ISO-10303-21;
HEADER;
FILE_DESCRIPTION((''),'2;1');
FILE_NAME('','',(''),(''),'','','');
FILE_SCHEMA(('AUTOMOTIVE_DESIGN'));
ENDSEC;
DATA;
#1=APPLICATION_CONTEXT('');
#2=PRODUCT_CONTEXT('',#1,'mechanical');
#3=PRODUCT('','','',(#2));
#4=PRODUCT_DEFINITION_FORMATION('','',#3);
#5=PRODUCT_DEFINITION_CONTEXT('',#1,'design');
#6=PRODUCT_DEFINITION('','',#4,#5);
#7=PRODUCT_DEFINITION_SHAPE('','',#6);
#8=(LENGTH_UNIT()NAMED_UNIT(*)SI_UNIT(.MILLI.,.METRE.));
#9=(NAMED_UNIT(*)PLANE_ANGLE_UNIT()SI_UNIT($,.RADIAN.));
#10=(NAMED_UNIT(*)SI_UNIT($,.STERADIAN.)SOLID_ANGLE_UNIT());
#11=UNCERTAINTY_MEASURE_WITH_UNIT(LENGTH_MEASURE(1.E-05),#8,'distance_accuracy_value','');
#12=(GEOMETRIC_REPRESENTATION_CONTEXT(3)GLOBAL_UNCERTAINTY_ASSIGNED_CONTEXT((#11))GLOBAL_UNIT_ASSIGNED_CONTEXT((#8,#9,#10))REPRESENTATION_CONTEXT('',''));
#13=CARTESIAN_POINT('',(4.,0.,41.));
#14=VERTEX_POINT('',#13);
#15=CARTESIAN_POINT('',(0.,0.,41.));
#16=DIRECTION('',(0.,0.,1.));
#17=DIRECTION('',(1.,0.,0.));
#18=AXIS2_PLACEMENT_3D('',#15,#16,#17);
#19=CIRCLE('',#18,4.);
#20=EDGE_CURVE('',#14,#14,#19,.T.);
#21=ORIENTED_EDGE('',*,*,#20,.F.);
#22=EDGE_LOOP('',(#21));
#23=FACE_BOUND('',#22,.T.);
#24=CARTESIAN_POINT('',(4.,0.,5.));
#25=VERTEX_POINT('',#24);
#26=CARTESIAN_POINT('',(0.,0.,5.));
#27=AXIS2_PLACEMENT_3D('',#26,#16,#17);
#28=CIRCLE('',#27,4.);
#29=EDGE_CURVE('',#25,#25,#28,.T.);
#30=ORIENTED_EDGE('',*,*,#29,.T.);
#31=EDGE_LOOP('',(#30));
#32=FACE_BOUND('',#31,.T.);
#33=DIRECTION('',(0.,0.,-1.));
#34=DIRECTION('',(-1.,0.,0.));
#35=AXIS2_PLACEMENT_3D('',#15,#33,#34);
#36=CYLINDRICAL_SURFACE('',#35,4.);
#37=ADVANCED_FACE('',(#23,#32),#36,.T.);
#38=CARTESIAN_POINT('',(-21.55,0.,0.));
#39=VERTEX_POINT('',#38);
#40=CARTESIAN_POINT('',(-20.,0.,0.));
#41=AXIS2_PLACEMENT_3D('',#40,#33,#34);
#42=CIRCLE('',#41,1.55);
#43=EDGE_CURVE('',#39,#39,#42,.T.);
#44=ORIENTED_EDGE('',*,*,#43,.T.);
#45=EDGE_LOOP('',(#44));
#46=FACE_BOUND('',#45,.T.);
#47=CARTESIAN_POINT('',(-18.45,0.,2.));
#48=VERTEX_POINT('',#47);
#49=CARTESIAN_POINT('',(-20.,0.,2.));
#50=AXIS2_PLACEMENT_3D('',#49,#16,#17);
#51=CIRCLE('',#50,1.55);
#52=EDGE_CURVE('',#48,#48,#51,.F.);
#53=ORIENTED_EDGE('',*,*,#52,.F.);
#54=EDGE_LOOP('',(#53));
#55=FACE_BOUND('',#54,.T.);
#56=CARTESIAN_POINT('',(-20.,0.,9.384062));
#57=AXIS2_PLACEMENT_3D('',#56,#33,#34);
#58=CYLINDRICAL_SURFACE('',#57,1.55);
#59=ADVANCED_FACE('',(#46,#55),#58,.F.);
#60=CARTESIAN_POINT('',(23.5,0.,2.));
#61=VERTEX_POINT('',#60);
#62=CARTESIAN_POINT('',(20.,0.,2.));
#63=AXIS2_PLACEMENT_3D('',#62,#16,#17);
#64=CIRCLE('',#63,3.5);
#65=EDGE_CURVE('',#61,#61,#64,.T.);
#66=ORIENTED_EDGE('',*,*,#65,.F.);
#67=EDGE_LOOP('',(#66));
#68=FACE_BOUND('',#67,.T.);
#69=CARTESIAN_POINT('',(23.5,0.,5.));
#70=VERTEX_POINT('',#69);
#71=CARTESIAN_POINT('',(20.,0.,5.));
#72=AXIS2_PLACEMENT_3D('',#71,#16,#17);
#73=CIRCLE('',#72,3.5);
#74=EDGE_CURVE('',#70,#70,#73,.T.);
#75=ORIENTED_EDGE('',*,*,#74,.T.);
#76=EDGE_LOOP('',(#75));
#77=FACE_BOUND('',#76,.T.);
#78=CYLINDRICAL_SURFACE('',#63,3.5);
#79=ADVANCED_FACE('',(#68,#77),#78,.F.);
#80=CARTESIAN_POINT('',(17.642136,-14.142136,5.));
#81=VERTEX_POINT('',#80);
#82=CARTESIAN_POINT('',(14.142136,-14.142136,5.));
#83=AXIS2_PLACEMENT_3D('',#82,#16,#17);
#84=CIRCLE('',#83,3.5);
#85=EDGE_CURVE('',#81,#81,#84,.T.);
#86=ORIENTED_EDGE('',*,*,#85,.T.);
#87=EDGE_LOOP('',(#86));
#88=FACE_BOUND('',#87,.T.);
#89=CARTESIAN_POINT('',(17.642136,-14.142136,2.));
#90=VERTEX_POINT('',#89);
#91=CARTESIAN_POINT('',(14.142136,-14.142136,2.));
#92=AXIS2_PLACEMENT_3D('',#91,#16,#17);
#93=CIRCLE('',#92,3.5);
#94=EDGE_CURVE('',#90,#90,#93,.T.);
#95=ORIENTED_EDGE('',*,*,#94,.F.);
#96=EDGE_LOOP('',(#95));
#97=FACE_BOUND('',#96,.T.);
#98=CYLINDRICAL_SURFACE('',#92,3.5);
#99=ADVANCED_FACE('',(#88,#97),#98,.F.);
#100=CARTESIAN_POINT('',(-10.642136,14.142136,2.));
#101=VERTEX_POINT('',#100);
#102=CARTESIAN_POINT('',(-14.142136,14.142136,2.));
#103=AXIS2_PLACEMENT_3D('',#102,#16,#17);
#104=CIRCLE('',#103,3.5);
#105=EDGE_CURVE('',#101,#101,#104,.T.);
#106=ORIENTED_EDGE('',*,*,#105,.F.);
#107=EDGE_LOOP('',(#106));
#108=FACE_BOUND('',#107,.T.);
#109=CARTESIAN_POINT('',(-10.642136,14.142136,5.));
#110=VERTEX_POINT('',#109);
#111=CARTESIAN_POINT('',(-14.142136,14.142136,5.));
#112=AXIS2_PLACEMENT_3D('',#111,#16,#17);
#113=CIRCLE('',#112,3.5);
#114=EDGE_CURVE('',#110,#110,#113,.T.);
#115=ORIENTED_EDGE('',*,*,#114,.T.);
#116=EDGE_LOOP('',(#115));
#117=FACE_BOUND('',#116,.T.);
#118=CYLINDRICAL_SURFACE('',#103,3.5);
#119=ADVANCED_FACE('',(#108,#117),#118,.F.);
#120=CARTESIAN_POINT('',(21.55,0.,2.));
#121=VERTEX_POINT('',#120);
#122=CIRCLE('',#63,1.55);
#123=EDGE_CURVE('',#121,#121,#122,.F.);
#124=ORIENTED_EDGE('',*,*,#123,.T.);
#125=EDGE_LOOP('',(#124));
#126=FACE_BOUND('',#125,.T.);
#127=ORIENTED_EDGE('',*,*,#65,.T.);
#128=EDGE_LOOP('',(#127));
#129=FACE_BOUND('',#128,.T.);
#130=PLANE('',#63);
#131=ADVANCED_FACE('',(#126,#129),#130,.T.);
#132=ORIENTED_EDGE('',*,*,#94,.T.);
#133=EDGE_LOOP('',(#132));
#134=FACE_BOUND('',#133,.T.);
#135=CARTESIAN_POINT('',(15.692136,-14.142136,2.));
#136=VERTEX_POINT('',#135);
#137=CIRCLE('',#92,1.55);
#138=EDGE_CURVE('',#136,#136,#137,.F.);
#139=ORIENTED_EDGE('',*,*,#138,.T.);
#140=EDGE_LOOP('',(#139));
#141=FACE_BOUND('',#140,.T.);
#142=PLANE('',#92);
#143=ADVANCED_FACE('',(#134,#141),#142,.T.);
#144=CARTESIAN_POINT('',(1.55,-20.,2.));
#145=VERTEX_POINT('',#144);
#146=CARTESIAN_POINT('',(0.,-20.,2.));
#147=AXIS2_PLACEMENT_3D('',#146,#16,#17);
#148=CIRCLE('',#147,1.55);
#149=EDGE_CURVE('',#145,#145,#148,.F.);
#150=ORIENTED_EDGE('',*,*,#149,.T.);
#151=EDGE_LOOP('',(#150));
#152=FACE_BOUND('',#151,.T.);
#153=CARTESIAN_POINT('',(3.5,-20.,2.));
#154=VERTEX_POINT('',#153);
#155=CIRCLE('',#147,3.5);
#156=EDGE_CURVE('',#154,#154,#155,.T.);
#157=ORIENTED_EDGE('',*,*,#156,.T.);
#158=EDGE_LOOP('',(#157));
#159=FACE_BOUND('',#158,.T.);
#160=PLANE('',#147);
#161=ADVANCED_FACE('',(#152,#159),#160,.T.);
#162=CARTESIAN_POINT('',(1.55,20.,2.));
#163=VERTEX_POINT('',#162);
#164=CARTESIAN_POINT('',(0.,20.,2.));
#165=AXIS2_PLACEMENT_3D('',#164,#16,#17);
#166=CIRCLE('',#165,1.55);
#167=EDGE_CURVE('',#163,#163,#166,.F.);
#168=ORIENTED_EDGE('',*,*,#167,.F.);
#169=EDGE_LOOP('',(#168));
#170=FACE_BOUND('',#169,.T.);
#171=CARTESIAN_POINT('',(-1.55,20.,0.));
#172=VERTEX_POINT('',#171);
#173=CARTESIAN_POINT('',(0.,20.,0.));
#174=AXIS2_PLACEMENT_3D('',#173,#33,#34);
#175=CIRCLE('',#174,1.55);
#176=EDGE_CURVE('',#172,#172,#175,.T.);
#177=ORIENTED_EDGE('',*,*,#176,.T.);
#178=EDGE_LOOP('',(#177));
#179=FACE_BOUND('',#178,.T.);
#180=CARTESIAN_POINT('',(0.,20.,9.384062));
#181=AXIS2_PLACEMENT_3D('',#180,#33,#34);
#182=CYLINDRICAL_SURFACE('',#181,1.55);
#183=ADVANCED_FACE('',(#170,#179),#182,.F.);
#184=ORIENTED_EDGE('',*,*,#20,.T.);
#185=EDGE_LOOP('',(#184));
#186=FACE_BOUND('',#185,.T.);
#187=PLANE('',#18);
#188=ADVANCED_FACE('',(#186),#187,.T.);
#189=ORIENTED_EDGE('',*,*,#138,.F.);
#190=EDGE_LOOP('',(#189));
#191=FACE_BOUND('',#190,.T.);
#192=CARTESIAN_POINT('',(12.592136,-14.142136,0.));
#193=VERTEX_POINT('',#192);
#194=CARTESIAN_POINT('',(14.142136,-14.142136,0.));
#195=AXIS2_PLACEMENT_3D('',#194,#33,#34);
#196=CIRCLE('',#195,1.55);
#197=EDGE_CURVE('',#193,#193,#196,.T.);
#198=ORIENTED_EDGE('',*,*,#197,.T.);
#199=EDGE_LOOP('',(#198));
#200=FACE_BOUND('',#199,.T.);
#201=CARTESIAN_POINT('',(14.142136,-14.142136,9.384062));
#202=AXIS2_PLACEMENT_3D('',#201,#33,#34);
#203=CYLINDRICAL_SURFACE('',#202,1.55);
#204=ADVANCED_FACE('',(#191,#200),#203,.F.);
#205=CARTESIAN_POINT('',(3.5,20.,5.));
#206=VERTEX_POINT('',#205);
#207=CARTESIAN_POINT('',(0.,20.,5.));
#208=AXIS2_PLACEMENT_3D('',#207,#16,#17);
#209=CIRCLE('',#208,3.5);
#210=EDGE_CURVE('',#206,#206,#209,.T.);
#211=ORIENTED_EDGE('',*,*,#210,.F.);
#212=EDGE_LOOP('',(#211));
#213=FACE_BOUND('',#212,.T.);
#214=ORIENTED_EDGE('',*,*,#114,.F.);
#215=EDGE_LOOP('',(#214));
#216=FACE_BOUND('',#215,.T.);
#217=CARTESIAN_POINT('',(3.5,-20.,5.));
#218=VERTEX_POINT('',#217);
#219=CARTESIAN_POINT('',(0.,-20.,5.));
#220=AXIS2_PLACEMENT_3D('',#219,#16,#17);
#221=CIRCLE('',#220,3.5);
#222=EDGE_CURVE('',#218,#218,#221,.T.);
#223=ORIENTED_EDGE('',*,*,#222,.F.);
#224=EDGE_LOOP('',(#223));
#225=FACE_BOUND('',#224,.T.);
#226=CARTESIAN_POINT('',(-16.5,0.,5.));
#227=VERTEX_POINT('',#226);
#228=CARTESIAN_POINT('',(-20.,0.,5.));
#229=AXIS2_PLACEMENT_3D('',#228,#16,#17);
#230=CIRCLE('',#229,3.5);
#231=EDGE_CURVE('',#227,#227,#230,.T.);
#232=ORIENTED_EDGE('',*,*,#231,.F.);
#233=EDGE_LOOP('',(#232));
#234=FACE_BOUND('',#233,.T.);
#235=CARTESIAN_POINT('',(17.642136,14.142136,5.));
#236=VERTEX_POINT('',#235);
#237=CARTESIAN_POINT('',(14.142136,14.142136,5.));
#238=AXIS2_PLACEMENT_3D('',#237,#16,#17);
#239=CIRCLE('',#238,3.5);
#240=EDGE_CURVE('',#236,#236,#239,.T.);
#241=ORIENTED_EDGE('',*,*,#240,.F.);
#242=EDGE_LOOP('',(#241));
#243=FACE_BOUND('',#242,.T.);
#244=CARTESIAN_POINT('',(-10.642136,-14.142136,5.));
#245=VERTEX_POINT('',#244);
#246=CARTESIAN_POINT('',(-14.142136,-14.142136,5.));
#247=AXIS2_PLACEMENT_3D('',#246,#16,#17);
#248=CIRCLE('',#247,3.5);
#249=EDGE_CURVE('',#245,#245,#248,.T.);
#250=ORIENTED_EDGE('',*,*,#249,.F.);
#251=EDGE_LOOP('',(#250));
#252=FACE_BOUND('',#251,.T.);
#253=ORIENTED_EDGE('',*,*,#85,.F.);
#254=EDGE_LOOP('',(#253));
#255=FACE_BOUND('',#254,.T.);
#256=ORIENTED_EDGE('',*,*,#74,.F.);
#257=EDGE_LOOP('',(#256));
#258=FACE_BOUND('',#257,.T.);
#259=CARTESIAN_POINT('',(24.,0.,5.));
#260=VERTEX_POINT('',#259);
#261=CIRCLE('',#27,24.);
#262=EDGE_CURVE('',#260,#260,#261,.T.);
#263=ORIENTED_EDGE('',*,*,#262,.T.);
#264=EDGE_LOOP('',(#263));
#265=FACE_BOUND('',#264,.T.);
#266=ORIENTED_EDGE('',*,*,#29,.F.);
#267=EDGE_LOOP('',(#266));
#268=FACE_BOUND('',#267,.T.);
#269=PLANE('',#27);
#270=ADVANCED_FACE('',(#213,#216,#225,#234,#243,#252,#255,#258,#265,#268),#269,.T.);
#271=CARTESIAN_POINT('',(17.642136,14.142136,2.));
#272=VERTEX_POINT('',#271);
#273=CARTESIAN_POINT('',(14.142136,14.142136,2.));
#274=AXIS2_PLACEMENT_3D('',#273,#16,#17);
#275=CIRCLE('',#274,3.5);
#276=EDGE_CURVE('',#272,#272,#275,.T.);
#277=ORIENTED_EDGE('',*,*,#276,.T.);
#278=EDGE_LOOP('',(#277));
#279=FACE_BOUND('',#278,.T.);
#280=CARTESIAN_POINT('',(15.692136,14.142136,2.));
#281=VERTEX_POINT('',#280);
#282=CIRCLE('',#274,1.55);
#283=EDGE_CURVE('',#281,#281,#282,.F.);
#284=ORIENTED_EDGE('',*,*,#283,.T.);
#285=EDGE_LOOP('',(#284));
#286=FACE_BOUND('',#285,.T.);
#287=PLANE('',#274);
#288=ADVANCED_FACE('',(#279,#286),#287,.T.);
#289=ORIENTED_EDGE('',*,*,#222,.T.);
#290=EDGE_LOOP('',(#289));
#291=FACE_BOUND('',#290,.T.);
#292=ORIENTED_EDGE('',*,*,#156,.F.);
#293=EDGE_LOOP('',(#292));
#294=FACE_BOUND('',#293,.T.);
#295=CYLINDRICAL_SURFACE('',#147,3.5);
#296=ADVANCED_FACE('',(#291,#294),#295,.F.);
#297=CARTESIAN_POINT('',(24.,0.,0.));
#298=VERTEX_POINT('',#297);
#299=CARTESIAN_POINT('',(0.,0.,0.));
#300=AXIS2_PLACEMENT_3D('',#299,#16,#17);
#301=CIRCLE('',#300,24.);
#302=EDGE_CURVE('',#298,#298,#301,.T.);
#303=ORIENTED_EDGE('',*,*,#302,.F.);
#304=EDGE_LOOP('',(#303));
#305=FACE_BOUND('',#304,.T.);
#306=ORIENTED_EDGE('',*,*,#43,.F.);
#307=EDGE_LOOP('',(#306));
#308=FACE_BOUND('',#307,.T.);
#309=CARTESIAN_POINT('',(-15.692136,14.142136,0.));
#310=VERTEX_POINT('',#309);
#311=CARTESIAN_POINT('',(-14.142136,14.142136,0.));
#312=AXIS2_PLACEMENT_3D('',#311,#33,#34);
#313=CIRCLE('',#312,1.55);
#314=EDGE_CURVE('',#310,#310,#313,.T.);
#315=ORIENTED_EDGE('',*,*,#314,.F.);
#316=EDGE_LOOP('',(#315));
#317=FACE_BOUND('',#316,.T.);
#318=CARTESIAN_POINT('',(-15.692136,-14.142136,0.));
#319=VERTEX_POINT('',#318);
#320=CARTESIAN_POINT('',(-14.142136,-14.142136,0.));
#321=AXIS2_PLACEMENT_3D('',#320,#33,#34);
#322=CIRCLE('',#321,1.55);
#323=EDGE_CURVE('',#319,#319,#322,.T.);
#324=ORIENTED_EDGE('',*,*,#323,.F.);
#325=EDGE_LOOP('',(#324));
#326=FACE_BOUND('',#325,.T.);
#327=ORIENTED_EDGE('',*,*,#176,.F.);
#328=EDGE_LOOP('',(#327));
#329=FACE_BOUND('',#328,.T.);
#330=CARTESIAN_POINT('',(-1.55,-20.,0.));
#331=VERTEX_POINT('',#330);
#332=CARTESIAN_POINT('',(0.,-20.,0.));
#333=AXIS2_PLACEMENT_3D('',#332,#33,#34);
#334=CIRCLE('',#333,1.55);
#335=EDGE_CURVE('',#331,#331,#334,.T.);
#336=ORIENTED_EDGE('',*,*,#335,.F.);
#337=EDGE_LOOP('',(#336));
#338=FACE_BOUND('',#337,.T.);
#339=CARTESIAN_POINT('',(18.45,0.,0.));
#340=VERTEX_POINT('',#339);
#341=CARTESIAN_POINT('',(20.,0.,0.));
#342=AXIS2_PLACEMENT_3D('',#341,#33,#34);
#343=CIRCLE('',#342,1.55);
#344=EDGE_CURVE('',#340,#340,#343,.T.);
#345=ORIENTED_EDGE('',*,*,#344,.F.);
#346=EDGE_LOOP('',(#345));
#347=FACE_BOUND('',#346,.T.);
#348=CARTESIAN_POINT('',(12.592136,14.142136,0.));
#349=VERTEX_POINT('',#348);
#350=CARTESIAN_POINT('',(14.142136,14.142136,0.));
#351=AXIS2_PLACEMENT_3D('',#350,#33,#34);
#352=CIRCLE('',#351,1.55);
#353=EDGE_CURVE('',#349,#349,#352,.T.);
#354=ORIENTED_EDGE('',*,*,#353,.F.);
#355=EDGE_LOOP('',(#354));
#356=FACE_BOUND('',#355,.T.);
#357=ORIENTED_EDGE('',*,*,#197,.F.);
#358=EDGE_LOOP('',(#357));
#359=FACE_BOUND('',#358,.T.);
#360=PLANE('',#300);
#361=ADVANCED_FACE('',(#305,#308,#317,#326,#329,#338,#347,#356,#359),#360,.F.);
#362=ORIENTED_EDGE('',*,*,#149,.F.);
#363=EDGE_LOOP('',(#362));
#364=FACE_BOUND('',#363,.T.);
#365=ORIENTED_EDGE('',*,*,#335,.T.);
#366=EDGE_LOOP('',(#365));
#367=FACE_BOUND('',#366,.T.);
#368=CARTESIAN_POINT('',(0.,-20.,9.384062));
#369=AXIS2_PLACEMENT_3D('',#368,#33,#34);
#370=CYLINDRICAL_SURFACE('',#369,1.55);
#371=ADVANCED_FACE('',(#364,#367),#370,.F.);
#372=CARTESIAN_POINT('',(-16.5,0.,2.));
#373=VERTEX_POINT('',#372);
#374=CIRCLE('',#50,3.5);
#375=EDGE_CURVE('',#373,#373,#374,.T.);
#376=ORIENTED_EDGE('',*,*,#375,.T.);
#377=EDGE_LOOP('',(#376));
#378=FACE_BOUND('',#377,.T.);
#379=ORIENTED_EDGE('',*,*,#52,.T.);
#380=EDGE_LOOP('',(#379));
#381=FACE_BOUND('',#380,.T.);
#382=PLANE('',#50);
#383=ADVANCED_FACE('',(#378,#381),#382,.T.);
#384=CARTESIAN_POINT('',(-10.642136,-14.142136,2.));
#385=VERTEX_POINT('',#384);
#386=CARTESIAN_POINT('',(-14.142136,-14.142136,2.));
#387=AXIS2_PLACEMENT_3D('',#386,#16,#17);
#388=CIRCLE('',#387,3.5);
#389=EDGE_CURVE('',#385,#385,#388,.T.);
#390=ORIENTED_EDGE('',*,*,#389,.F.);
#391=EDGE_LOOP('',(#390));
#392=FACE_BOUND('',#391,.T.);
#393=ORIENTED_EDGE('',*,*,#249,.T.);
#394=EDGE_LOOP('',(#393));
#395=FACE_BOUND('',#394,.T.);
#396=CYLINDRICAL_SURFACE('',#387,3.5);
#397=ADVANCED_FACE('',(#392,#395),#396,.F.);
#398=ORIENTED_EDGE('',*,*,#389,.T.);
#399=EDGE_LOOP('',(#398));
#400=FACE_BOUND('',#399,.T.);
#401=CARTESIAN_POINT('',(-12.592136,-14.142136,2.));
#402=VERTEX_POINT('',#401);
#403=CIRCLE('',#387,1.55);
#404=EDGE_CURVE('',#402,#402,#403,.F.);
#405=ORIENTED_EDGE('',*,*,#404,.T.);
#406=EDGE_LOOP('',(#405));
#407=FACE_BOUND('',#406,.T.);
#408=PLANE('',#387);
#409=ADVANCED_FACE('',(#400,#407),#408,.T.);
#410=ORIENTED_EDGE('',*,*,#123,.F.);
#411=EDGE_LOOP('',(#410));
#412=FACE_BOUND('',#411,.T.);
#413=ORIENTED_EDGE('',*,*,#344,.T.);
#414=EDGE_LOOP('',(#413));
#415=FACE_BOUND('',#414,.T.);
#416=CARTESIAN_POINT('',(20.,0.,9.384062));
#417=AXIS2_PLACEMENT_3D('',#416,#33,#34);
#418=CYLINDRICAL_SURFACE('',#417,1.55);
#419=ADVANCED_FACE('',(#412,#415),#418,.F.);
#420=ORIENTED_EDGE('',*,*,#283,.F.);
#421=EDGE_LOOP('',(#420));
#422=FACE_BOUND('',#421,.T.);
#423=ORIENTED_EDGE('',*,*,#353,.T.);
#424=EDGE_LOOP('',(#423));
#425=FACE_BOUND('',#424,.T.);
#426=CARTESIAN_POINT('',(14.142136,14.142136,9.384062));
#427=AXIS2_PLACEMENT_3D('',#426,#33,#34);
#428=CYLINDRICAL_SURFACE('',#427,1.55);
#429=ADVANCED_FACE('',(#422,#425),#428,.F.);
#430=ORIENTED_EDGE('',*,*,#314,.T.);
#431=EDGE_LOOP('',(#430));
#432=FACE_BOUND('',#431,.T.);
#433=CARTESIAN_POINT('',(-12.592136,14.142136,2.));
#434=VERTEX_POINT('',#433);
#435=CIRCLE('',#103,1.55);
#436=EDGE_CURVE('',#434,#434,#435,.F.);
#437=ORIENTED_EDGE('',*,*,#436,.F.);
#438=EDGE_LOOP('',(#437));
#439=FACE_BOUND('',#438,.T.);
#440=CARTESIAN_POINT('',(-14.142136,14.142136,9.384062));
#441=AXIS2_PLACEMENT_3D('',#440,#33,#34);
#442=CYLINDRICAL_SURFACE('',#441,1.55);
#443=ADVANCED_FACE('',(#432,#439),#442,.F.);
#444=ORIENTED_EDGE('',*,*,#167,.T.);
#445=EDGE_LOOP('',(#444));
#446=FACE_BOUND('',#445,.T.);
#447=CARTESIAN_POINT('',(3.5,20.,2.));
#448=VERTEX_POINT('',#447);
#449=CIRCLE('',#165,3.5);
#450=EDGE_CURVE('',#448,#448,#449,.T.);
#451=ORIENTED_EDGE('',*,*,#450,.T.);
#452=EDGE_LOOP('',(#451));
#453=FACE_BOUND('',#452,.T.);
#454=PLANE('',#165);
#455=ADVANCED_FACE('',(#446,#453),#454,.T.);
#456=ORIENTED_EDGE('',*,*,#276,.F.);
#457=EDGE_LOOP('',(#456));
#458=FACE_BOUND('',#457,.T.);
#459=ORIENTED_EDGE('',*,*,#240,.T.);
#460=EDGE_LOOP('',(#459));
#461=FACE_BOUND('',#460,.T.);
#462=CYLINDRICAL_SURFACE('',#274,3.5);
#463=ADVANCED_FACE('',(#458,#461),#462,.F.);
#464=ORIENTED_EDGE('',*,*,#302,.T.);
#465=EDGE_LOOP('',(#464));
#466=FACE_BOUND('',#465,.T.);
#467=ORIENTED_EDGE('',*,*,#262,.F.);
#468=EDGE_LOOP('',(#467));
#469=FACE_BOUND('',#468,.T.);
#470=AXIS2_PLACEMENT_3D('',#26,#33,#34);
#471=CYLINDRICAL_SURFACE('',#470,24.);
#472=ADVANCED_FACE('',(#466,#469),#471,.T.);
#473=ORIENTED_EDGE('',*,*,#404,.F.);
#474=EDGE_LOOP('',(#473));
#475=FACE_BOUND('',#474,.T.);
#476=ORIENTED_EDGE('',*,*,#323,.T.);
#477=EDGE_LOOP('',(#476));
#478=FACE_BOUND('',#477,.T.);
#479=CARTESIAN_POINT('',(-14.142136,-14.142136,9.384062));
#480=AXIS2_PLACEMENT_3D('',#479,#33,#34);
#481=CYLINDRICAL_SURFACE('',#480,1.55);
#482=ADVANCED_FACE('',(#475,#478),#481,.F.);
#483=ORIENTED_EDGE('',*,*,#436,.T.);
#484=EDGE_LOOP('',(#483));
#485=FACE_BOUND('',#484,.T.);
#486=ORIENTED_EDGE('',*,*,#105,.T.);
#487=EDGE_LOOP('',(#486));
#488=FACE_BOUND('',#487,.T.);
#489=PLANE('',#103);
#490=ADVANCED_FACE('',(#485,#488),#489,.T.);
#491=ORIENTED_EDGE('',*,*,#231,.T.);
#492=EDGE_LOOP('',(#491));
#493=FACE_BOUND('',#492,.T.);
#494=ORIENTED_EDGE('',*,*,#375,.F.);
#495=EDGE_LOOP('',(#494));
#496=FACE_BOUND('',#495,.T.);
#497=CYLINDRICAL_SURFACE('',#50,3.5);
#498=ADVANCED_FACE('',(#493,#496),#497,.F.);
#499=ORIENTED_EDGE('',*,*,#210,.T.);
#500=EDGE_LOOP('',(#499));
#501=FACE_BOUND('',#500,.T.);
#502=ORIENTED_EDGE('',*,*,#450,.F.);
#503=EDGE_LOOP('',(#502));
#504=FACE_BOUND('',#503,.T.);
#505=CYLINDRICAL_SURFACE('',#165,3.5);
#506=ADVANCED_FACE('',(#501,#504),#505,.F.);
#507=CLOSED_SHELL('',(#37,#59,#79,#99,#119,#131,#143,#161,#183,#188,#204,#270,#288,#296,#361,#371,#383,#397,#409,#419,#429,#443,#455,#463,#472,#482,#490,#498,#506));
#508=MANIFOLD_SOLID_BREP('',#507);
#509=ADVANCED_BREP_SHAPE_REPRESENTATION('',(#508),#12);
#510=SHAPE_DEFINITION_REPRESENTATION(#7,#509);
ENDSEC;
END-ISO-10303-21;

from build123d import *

# Parameters (mm, degrees)
SKETCH6_R           = 24
BOSS_EXTRUDE1_DEPTH = 5
SKETCH8_R           = 1.55
CUT_EXTRUDE6_DEPTH  = 5
SKETCH10_R          = 4
BOSS_EXTRUDE2_DEPTH = 36
SKETCH11_R          = 3.5
CUT_EXTRUDE8_DEPTH  = 3


with BuildPart() as part:
    # Sketch6 → Boss-Extrude1 (new body)
    with BuildSketch(Plane.XY):
        Circle(SKETCH6_R)
    extrude(amount=BOSS_EXTRUDE1_DEPTH)

    # Sketch8 → Cut-Extrude6 (cut)
    with BuildSketch(Plane(origin=(0, 0, 0), x_dir=(-1, 0, 0), z_dir=(0, 0, -1))):
        with Locations((0, 20)):
            Circle(SKETCH8_R)
        with Locations((14.142135624, 14.142135624)):
            Circle(SKETCH8_R)
        with Locations((20, 0)):
            Circle(SKETCH8_R)
        with Locations((14.142135624, -14.142135624)):
            Circle(SKETCH8_R)
        with Locations((0, -20)):
            Circle(SKETCH8_R)
        with Locations((-14.142135624, -14.142135624)):
            Circle(SKETCH8_R)
        with Locations((-20, 0)):
            Circle(SKETCH8_R)
        with Locations((-14.142135624, 14.142135624)):
            Circle(SKETCH8_R)
    extrude(amount=-CUT_EXTRUDE6_DEPTH, mode=Mode.SUBTRACT)

    # Sketch10 → Boss-Extrude2 (add)
    with BuildSketch(Plane.XY.offset(5)):
        Circle(SKETCH10_R)
    extrude(amount=BOSS_EXTRUDE2_DEPTH)

    # Sketch11 → Cut-Extrude8 (cut)
    with BuildSketch(Plane.XY.offset(5)):
        with Locations((0, 20)):
            Circle(SKETCH11_R)
        with Locations((14.142135624, 14.142135624)):
            Circle(SKETCH11_R)
        with Locations((20, 0)):
            Circle(SKETCH11_R)
        with Locations((14.142135624, -14.142135624)):
            Circle(SKETCH11_R)
        with Locations((0, -20)):
            Circle(SKETCH11_R)
        with Locations((-14.142135624, -14.142135624)):
            Circle(SKETCH11_R)
        with Locations((-20, 0)):
            Circle(SKETCH11_R)
        with Locations((-14.142135624, 14.142135624)):
            Circle(SKETCH11_R)
    extrude(amount=-CUT_EXTRUDE8_DEPTH, mode=Mode.SUBTRACT)


solid = part.part
